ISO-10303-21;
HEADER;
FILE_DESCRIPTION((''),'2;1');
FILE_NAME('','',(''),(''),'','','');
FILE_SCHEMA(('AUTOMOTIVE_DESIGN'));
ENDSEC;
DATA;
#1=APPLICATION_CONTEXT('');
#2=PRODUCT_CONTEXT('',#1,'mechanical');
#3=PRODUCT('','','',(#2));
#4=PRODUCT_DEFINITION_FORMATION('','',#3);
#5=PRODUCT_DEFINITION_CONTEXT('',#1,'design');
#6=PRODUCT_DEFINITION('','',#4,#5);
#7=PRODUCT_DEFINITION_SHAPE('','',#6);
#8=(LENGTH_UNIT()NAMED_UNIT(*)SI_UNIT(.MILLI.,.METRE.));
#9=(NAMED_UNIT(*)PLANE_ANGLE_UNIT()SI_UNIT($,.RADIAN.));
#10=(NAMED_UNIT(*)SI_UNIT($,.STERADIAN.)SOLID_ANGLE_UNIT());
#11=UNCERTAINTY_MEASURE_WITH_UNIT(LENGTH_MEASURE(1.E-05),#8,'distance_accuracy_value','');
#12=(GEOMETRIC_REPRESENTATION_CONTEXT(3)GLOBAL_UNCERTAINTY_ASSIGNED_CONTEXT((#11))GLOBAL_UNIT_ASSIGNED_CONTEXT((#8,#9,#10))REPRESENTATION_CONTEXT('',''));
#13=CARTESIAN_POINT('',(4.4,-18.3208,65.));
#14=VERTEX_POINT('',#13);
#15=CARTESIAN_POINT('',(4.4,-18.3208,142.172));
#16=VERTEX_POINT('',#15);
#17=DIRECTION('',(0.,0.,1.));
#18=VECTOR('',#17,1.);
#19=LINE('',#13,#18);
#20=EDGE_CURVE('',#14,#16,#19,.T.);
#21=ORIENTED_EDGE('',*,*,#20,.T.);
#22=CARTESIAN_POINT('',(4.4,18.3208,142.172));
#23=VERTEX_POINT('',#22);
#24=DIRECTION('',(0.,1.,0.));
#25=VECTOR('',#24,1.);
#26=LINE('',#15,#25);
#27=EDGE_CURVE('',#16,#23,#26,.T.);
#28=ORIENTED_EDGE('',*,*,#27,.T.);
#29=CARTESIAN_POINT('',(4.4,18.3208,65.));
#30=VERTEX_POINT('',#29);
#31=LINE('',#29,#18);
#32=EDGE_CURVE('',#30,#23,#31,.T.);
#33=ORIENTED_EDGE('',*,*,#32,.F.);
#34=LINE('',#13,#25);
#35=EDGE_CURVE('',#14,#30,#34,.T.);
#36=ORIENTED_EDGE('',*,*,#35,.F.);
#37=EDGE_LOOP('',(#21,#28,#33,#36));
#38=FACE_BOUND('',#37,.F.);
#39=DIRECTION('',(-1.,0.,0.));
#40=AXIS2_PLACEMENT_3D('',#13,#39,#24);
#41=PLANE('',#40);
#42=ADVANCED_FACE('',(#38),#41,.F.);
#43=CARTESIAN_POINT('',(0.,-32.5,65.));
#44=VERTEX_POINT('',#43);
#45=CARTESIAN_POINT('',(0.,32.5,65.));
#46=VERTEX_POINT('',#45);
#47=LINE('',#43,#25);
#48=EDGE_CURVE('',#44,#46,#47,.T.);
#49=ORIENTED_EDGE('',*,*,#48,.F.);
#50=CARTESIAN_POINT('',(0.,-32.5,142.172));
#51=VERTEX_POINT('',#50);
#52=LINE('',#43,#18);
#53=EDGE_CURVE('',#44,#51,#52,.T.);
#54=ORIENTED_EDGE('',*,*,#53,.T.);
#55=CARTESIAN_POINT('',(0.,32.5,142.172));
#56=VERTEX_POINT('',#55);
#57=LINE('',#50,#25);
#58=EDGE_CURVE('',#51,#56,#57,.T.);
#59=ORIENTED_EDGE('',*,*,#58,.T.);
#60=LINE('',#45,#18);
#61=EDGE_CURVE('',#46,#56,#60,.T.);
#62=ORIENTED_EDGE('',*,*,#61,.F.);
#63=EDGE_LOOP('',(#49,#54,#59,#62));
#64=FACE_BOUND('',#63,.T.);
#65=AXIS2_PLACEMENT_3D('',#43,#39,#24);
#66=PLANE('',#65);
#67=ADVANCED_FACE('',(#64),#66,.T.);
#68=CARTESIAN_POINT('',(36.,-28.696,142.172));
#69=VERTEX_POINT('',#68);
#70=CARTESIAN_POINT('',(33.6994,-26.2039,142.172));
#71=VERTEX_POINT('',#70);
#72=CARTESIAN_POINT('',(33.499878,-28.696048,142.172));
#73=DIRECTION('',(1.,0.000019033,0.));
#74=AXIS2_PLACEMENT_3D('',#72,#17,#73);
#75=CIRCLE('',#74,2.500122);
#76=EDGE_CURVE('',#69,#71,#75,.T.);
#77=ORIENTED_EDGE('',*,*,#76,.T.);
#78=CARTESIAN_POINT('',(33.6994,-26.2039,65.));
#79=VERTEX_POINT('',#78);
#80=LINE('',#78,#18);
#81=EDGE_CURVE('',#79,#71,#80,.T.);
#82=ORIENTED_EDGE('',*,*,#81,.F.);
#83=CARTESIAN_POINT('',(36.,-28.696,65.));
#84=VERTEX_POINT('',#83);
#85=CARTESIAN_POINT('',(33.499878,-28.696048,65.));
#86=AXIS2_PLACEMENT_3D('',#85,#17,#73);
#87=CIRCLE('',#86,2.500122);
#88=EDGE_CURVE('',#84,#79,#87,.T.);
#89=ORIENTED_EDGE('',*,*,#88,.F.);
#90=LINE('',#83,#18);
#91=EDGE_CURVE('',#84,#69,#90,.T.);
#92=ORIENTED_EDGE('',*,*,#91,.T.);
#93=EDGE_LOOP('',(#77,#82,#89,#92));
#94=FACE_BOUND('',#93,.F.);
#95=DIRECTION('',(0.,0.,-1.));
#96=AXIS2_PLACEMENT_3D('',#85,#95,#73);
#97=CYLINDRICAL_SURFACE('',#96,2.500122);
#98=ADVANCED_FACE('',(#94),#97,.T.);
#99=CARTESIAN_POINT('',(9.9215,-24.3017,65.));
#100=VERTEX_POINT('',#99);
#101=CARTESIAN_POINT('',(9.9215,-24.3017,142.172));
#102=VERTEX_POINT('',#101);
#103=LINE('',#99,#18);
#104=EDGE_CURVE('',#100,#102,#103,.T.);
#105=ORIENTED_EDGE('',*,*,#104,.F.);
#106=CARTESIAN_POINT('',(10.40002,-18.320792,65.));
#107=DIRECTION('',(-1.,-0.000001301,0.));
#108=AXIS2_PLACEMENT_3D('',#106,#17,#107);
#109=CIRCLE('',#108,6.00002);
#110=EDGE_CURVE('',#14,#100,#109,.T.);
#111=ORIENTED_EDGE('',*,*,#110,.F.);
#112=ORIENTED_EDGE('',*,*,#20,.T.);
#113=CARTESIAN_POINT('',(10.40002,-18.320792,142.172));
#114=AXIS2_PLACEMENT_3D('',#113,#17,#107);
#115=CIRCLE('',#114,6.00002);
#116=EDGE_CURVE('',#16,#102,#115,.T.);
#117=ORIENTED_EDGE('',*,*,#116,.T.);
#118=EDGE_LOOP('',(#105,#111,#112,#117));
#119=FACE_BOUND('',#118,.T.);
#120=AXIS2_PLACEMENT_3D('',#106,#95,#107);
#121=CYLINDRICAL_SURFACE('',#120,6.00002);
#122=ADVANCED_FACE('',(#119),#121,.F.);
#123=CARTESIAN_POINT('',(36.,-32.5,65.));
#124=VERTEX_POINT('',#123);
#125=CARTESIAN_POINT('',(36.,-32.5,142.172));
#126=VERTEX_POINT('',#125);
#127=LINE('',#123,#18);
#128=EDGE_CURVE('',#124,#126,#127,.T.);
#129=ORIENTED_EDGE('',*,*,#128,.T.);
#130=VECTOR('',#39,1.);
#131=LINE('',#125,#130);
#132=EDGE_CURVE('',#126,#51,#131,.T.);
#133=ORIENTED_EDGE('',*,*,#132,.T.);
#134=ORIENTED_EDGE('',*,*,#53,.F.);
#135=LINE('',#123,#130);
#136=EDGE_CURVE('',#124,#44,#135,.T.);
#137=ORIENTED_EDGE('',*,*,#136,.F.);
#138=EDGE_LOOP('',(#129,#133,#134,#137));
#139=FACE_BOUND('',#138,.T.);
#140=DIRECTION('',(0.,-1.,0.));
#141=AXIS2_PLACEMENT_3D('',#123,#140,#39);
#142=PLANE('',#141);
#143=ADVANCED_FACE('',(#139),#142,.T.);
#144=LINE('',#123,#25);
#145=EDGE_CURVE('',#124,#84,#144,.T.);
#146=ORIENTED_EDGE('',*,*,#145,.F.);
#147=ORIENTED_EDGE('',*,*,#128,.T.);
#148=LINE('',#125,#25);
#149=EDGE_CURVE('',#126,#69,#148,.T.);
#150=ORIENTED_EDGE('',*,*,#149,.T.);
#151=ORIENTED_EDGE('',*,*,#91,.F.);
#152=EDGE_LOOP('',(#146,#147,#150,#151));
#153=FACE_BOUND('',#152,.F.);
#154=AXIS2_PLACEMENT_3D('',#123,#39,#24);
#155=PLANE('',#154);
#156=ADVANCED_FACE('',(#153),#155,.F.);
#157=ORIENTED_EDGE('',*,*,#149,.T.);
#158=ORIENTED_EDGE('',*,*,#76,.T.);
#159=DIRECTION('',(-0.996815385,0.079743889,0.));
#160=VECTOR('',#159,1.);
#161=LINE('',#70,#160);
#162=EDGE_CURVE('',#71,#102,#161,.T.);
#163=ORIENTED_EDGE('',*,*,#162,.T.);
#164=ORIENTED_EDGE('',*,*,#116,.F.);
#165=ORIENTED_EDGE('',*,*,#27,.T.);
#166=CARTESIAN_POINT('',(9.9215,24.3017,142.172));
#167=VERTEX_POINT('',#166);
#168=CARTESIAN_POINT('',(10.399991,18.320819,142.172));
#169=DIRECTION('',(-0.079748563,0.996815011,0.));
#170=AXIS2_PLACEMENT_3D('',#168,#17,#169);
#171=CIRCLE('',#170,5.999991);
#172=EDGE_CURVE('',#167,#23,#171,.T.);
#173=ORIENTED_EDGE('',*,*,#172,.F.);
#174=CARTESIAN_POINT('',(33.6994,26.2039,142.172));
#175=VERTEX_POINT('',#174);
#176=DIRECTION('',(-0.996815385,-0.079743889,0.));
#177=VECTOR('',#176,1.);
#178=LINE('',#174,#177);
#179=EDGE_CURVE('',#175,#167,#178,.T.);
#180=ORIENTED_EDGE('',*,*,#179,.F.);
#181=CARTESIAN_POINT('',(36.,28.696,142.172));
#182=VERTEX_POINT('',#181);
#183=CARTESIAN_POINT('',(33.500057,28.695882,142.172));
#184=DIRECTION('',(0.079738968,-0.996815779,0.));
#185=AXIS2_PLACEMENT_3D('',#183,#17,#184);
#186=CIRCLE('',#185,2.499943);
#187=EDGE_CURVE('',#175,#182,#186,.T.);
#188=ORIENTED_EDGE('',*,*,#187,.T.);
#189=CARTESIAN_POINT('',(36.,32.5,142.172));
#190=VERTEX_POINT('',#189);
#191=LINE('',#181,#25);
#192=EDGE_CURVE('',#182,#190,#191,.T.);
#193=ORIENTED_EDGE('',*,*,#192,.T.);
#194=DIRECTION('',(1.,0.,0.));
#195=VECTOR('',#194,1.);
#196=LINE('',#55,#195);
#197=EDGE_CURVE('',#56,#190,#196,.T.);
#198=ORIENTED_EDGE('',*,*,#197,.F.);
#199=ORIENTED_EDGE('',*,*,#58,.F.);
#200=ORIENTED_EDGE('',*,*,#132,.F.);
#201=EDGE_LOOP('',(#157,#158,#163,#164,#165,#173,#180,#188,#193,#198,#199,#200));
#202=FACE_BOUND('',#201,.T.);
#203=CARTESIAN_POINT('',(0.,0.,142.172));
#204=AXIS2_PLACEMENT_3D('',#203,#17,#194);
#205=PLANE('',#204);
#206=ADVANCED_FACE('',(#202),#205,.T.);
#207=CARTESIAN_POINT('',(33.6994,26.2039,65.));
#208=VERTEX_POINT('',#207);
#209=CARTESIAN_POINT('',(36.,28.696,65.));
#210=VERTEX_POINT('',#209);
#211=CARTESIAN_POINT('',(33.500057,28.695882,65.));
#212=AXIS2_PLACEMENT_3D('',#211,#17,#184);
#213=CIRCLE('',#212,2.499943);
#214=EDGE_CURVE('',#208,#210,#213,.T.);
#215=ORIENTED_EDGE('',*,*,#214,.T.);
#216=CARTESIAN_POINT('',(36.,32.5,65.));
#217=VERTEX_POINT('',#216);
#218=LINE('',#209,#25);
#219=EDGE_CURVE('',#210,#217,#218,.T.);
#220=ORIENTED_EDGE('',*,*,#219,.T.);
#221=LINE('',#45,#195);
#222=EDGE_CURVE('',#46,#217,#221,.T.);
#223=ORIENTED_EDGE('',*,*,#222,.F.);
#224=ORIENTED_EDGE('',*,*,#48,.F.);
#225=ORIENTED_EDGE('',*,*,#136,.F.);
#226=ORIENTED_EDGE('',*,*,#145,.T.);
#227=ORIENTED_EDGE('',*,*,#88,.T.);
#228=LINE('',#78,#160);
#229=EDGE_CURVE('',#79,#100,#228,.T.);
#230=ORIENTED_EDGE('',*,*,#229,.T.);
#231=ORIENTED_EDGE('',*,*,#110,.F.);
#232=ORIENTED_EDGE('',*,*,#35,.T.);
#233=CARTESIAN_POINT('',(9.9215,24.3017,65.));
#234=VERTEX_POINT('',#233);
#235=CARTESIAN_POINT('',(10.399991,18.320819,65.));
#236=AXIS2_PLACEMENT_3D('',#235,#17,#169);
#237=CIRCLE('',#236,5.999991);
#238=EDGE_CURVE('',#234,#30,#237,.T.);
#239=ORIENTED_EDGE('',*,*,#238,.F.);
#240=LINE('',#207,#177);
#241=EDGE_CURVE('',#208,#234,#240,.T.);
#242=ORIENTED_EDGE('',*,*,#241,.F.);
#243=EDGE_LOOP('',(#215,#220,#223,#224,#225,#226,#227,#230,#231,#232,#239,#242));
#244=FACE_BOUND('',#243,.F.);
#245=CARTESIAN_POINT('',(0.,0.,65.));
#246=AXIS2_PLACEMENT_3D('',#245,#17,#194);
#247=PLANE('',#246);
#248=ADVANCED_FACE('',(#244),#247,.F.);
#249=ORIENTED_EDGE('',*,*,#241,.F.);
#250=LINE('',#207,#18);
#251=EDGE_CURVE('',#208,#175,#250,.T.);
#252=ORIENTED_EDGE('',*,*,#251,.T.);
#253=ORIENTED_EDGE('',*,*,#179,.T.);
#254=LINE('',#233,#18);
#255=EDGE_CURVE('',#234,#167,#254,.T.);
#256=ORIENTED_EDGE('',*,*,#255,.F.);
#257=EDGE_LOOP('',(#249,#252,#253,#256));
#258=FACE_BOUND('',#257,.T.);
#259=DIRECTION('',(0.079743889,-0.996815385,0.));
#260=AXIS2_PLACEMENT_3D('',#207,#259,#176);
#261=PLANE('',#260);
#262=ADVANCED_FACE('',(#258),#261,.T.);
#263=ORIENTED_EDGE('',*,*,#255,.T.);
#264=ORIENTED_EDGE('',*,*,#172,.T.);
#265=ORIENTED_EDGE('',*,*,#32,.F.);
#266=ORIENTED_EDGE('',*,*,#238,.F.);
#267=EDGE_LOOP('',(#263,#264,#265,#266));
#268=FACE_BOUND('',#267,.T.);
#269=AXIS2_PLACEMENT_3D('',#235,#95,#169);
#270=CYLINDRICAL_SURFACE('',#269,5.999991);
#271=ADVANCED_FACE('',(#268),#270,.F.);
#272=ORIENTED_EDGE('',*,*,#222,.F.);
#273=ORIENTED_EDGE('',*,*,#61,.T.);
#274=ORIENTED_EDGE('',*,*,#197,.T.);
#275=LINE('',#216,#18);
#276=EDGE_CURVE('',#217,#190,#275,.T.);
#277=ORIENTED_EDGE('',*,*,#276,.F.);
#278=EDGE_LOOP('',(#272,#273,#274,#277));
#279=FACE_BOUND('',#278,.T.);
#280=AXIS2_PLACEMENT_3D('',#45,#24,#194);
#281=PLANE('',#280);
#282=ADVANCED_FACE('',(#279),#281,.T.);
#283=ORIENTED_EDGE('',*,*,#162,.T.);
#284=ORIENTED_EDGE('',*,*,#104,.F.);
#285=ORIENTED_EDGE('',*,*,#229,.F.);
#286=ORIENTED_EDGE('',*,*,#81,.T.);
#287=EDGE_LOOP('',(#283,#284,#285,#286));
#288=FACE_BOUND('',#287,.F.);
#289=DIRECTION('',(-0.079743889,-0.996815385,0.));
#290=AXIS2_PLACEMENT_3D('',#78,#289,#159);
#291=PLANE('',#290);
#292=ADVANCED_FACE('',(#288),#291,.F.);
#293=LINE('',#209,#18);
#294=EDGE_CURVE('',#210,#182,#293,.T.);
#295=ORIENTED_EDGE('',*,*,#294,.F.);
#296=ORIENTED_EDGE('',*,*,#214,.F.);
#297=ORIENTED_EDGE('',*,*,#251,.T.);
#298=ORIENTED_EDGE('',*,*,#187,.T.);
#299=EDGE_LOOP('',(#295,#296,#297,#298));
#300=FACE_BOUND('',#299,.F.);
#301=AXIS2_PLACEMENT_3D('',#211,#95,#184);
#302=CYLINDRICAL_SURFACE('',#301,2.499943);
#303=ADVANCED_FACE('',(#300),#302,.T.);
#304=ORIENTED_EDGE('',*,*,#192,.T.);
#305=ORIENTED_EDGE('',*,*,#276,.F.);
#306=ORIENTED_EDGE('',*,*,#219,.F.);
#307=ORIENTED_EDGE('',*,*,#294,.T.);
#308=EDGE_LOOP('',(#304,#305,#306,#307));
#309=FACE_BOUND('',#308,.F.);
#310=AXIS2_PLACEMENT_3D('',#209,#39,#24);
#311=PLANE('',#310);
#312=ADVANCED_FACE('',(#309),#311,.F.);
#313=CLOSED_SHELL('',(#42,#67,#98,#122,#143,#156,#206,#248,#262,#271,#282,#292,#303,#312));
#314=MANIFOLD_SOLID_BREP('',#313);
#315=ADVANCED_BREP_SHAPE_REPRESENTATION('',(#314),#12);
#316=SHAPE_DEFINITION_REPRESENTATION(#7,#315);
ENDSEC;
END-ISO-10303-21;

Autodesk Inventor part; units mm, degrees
ref_plane "Начальная плоскость" through (0, 0, 65) normal (0, 0, 1) x (1, 0, 0)
ref_plane "Конечная плоскость" through (0, 0, 142.172) normal (0, 0, 1) x (1, 0, 0)
sketch "Эскиз" plane through (0, 0, 0) normal (0, 0, 1) x (1, 0, 0)
  line L0 (36, -32.5) -> (0, -32.5)
  line L1 (36, -32.5) -> (36, -28.696)
  line L2 (33.6994, -26.2039) -> (9.9215, -24.3017)
  line L3 (4.4, -18.3208) -> (4.4, 18.3208)
  line L4 (33.6994, 26.2039) -> (9.9215, 24.3017)
  line L5 (36, 28.696) -> (36, 32.5)
  line L6 (0, 32.5) -> (36, 32.5)
  line L7 (0, -32.5) -> (0, 32.5)
  arc A0 (4.4, -18.3208) -> (9.9215, -24.3017) centre (10.4, -18.3208) ccw
  arc A1 (9.9215, 24.3017) -> (4.4, 18.3208) centre (10.4, 18.3208) ccw
  arc A2 (36, -28.696) -> (33.6994, -26.2039) centre (33.5, -28.696) ccw
  arc A3 (33.6994, 26.2039) -> (36, 28.696) centre (33.5, 28.696) ccw
  line L8 (0, 45.5) -> (0, -45.5) construction
  line L9 (-7.2974, 0) -> (43.7847, 0) construction
  point P0 (36, -26.388)
  point P1 (4.4, -23.86)
  point P2 (4.4, 23.86)
  point P3 (36, 26.388)
  dimension "d3" = 36
  dimension "d5" = 4.4
  dimension "d7" = 65
  dimension "d9" = 8.64
  dimension "d11" = 8.64
  dimension "d13" = 6.112
  dimension "d15" = 6.112
  dimension "d22" = 6
  dimension "d23" = 2.5
  dimension "d24" = 32.5
  dimension "d25" = 0
extrude "Тело" add sketch "Эскиз" along normal up to surface (77.172 mm away) from surface at 65
sketch "Sketch3" plane through (0, 0, 0) normal (0, 0, 1) x (1, 0, 0)
  line L0 (0, 0) -> (10, 0)
ref_plane "Work Plane7" through (0, 0, 0) normal (0, -1, 0) x (1, 0, 0)
sketch "Sketch4" plane through (0, 0, 0) normal (0, -1, 0) x (1, 0, 0)
  line L0 (-2, 65) -> (12, 65)
  line L1 (-2, 142.172) -> (12, 142.172)
  dimension "d29" = 77.172
ref_plane "РабПлоскость8" through (38.321, -680.4598, 65) normal (0, 0, -1) x (-1, 0, 0)
split "Разделение1" plane through (38.321, -680.4598, 65) removes the side toward (0, 0, -1)
ref_plane "РабПлоскость9" through (2.3211, -680.5734, 142.172) normal (0, 0, 1) x (1, 0, 0)
split "Разделение2" plane through (2.3211, -680.5734, 142.172) removes the side toward (0, 0, 1)
equation "\"d3\" = b"
equation "\"d5\" = t1"
equation "\"d7\" = ParH"
equation "\"d9\" = msp_x1 + t2"
equation "\"d11\" = msp_x1 + t2"
equation "\"d13\" = -msp_x2 + t2"
equation "\"d15\" = -msp_x2 + t2"
equation "\"d22\" = R"
equation "\"d23\" = R1"
equation "\"d24\" = 0.5 * d7"
equation "\"d16\" = G_L"
equation "\"R1\" = 2.5"
equation "\"R\" = 6"
equation "\"t1\" = 4.4"
equation "\"t2\" = 7.2"
equation "\"ParH\" = 65"
equation "\"b\" = 36"
equation "\"msp_x1\" = 0.04 * b"
equation "\"msp_x2\" = -0.08 * t1 + 0.04 * b"
equation "\"G_L\" = d29"
equation "\"ex\" = 0"
equation "\"G_OFFSET_START\" = -65"
equation "\"G_OFFSET_END\" = -65"
equation "\"d26\" = -G_OFFSET_START"
equation "\"d27\" = G_OFFSET_END + B_L"
equation "\"B_L\" = 207.172"
properties part number "Швеллер 6.5U-77,17 ГОСТ 8240-97" material "Сталь, мягкая"
